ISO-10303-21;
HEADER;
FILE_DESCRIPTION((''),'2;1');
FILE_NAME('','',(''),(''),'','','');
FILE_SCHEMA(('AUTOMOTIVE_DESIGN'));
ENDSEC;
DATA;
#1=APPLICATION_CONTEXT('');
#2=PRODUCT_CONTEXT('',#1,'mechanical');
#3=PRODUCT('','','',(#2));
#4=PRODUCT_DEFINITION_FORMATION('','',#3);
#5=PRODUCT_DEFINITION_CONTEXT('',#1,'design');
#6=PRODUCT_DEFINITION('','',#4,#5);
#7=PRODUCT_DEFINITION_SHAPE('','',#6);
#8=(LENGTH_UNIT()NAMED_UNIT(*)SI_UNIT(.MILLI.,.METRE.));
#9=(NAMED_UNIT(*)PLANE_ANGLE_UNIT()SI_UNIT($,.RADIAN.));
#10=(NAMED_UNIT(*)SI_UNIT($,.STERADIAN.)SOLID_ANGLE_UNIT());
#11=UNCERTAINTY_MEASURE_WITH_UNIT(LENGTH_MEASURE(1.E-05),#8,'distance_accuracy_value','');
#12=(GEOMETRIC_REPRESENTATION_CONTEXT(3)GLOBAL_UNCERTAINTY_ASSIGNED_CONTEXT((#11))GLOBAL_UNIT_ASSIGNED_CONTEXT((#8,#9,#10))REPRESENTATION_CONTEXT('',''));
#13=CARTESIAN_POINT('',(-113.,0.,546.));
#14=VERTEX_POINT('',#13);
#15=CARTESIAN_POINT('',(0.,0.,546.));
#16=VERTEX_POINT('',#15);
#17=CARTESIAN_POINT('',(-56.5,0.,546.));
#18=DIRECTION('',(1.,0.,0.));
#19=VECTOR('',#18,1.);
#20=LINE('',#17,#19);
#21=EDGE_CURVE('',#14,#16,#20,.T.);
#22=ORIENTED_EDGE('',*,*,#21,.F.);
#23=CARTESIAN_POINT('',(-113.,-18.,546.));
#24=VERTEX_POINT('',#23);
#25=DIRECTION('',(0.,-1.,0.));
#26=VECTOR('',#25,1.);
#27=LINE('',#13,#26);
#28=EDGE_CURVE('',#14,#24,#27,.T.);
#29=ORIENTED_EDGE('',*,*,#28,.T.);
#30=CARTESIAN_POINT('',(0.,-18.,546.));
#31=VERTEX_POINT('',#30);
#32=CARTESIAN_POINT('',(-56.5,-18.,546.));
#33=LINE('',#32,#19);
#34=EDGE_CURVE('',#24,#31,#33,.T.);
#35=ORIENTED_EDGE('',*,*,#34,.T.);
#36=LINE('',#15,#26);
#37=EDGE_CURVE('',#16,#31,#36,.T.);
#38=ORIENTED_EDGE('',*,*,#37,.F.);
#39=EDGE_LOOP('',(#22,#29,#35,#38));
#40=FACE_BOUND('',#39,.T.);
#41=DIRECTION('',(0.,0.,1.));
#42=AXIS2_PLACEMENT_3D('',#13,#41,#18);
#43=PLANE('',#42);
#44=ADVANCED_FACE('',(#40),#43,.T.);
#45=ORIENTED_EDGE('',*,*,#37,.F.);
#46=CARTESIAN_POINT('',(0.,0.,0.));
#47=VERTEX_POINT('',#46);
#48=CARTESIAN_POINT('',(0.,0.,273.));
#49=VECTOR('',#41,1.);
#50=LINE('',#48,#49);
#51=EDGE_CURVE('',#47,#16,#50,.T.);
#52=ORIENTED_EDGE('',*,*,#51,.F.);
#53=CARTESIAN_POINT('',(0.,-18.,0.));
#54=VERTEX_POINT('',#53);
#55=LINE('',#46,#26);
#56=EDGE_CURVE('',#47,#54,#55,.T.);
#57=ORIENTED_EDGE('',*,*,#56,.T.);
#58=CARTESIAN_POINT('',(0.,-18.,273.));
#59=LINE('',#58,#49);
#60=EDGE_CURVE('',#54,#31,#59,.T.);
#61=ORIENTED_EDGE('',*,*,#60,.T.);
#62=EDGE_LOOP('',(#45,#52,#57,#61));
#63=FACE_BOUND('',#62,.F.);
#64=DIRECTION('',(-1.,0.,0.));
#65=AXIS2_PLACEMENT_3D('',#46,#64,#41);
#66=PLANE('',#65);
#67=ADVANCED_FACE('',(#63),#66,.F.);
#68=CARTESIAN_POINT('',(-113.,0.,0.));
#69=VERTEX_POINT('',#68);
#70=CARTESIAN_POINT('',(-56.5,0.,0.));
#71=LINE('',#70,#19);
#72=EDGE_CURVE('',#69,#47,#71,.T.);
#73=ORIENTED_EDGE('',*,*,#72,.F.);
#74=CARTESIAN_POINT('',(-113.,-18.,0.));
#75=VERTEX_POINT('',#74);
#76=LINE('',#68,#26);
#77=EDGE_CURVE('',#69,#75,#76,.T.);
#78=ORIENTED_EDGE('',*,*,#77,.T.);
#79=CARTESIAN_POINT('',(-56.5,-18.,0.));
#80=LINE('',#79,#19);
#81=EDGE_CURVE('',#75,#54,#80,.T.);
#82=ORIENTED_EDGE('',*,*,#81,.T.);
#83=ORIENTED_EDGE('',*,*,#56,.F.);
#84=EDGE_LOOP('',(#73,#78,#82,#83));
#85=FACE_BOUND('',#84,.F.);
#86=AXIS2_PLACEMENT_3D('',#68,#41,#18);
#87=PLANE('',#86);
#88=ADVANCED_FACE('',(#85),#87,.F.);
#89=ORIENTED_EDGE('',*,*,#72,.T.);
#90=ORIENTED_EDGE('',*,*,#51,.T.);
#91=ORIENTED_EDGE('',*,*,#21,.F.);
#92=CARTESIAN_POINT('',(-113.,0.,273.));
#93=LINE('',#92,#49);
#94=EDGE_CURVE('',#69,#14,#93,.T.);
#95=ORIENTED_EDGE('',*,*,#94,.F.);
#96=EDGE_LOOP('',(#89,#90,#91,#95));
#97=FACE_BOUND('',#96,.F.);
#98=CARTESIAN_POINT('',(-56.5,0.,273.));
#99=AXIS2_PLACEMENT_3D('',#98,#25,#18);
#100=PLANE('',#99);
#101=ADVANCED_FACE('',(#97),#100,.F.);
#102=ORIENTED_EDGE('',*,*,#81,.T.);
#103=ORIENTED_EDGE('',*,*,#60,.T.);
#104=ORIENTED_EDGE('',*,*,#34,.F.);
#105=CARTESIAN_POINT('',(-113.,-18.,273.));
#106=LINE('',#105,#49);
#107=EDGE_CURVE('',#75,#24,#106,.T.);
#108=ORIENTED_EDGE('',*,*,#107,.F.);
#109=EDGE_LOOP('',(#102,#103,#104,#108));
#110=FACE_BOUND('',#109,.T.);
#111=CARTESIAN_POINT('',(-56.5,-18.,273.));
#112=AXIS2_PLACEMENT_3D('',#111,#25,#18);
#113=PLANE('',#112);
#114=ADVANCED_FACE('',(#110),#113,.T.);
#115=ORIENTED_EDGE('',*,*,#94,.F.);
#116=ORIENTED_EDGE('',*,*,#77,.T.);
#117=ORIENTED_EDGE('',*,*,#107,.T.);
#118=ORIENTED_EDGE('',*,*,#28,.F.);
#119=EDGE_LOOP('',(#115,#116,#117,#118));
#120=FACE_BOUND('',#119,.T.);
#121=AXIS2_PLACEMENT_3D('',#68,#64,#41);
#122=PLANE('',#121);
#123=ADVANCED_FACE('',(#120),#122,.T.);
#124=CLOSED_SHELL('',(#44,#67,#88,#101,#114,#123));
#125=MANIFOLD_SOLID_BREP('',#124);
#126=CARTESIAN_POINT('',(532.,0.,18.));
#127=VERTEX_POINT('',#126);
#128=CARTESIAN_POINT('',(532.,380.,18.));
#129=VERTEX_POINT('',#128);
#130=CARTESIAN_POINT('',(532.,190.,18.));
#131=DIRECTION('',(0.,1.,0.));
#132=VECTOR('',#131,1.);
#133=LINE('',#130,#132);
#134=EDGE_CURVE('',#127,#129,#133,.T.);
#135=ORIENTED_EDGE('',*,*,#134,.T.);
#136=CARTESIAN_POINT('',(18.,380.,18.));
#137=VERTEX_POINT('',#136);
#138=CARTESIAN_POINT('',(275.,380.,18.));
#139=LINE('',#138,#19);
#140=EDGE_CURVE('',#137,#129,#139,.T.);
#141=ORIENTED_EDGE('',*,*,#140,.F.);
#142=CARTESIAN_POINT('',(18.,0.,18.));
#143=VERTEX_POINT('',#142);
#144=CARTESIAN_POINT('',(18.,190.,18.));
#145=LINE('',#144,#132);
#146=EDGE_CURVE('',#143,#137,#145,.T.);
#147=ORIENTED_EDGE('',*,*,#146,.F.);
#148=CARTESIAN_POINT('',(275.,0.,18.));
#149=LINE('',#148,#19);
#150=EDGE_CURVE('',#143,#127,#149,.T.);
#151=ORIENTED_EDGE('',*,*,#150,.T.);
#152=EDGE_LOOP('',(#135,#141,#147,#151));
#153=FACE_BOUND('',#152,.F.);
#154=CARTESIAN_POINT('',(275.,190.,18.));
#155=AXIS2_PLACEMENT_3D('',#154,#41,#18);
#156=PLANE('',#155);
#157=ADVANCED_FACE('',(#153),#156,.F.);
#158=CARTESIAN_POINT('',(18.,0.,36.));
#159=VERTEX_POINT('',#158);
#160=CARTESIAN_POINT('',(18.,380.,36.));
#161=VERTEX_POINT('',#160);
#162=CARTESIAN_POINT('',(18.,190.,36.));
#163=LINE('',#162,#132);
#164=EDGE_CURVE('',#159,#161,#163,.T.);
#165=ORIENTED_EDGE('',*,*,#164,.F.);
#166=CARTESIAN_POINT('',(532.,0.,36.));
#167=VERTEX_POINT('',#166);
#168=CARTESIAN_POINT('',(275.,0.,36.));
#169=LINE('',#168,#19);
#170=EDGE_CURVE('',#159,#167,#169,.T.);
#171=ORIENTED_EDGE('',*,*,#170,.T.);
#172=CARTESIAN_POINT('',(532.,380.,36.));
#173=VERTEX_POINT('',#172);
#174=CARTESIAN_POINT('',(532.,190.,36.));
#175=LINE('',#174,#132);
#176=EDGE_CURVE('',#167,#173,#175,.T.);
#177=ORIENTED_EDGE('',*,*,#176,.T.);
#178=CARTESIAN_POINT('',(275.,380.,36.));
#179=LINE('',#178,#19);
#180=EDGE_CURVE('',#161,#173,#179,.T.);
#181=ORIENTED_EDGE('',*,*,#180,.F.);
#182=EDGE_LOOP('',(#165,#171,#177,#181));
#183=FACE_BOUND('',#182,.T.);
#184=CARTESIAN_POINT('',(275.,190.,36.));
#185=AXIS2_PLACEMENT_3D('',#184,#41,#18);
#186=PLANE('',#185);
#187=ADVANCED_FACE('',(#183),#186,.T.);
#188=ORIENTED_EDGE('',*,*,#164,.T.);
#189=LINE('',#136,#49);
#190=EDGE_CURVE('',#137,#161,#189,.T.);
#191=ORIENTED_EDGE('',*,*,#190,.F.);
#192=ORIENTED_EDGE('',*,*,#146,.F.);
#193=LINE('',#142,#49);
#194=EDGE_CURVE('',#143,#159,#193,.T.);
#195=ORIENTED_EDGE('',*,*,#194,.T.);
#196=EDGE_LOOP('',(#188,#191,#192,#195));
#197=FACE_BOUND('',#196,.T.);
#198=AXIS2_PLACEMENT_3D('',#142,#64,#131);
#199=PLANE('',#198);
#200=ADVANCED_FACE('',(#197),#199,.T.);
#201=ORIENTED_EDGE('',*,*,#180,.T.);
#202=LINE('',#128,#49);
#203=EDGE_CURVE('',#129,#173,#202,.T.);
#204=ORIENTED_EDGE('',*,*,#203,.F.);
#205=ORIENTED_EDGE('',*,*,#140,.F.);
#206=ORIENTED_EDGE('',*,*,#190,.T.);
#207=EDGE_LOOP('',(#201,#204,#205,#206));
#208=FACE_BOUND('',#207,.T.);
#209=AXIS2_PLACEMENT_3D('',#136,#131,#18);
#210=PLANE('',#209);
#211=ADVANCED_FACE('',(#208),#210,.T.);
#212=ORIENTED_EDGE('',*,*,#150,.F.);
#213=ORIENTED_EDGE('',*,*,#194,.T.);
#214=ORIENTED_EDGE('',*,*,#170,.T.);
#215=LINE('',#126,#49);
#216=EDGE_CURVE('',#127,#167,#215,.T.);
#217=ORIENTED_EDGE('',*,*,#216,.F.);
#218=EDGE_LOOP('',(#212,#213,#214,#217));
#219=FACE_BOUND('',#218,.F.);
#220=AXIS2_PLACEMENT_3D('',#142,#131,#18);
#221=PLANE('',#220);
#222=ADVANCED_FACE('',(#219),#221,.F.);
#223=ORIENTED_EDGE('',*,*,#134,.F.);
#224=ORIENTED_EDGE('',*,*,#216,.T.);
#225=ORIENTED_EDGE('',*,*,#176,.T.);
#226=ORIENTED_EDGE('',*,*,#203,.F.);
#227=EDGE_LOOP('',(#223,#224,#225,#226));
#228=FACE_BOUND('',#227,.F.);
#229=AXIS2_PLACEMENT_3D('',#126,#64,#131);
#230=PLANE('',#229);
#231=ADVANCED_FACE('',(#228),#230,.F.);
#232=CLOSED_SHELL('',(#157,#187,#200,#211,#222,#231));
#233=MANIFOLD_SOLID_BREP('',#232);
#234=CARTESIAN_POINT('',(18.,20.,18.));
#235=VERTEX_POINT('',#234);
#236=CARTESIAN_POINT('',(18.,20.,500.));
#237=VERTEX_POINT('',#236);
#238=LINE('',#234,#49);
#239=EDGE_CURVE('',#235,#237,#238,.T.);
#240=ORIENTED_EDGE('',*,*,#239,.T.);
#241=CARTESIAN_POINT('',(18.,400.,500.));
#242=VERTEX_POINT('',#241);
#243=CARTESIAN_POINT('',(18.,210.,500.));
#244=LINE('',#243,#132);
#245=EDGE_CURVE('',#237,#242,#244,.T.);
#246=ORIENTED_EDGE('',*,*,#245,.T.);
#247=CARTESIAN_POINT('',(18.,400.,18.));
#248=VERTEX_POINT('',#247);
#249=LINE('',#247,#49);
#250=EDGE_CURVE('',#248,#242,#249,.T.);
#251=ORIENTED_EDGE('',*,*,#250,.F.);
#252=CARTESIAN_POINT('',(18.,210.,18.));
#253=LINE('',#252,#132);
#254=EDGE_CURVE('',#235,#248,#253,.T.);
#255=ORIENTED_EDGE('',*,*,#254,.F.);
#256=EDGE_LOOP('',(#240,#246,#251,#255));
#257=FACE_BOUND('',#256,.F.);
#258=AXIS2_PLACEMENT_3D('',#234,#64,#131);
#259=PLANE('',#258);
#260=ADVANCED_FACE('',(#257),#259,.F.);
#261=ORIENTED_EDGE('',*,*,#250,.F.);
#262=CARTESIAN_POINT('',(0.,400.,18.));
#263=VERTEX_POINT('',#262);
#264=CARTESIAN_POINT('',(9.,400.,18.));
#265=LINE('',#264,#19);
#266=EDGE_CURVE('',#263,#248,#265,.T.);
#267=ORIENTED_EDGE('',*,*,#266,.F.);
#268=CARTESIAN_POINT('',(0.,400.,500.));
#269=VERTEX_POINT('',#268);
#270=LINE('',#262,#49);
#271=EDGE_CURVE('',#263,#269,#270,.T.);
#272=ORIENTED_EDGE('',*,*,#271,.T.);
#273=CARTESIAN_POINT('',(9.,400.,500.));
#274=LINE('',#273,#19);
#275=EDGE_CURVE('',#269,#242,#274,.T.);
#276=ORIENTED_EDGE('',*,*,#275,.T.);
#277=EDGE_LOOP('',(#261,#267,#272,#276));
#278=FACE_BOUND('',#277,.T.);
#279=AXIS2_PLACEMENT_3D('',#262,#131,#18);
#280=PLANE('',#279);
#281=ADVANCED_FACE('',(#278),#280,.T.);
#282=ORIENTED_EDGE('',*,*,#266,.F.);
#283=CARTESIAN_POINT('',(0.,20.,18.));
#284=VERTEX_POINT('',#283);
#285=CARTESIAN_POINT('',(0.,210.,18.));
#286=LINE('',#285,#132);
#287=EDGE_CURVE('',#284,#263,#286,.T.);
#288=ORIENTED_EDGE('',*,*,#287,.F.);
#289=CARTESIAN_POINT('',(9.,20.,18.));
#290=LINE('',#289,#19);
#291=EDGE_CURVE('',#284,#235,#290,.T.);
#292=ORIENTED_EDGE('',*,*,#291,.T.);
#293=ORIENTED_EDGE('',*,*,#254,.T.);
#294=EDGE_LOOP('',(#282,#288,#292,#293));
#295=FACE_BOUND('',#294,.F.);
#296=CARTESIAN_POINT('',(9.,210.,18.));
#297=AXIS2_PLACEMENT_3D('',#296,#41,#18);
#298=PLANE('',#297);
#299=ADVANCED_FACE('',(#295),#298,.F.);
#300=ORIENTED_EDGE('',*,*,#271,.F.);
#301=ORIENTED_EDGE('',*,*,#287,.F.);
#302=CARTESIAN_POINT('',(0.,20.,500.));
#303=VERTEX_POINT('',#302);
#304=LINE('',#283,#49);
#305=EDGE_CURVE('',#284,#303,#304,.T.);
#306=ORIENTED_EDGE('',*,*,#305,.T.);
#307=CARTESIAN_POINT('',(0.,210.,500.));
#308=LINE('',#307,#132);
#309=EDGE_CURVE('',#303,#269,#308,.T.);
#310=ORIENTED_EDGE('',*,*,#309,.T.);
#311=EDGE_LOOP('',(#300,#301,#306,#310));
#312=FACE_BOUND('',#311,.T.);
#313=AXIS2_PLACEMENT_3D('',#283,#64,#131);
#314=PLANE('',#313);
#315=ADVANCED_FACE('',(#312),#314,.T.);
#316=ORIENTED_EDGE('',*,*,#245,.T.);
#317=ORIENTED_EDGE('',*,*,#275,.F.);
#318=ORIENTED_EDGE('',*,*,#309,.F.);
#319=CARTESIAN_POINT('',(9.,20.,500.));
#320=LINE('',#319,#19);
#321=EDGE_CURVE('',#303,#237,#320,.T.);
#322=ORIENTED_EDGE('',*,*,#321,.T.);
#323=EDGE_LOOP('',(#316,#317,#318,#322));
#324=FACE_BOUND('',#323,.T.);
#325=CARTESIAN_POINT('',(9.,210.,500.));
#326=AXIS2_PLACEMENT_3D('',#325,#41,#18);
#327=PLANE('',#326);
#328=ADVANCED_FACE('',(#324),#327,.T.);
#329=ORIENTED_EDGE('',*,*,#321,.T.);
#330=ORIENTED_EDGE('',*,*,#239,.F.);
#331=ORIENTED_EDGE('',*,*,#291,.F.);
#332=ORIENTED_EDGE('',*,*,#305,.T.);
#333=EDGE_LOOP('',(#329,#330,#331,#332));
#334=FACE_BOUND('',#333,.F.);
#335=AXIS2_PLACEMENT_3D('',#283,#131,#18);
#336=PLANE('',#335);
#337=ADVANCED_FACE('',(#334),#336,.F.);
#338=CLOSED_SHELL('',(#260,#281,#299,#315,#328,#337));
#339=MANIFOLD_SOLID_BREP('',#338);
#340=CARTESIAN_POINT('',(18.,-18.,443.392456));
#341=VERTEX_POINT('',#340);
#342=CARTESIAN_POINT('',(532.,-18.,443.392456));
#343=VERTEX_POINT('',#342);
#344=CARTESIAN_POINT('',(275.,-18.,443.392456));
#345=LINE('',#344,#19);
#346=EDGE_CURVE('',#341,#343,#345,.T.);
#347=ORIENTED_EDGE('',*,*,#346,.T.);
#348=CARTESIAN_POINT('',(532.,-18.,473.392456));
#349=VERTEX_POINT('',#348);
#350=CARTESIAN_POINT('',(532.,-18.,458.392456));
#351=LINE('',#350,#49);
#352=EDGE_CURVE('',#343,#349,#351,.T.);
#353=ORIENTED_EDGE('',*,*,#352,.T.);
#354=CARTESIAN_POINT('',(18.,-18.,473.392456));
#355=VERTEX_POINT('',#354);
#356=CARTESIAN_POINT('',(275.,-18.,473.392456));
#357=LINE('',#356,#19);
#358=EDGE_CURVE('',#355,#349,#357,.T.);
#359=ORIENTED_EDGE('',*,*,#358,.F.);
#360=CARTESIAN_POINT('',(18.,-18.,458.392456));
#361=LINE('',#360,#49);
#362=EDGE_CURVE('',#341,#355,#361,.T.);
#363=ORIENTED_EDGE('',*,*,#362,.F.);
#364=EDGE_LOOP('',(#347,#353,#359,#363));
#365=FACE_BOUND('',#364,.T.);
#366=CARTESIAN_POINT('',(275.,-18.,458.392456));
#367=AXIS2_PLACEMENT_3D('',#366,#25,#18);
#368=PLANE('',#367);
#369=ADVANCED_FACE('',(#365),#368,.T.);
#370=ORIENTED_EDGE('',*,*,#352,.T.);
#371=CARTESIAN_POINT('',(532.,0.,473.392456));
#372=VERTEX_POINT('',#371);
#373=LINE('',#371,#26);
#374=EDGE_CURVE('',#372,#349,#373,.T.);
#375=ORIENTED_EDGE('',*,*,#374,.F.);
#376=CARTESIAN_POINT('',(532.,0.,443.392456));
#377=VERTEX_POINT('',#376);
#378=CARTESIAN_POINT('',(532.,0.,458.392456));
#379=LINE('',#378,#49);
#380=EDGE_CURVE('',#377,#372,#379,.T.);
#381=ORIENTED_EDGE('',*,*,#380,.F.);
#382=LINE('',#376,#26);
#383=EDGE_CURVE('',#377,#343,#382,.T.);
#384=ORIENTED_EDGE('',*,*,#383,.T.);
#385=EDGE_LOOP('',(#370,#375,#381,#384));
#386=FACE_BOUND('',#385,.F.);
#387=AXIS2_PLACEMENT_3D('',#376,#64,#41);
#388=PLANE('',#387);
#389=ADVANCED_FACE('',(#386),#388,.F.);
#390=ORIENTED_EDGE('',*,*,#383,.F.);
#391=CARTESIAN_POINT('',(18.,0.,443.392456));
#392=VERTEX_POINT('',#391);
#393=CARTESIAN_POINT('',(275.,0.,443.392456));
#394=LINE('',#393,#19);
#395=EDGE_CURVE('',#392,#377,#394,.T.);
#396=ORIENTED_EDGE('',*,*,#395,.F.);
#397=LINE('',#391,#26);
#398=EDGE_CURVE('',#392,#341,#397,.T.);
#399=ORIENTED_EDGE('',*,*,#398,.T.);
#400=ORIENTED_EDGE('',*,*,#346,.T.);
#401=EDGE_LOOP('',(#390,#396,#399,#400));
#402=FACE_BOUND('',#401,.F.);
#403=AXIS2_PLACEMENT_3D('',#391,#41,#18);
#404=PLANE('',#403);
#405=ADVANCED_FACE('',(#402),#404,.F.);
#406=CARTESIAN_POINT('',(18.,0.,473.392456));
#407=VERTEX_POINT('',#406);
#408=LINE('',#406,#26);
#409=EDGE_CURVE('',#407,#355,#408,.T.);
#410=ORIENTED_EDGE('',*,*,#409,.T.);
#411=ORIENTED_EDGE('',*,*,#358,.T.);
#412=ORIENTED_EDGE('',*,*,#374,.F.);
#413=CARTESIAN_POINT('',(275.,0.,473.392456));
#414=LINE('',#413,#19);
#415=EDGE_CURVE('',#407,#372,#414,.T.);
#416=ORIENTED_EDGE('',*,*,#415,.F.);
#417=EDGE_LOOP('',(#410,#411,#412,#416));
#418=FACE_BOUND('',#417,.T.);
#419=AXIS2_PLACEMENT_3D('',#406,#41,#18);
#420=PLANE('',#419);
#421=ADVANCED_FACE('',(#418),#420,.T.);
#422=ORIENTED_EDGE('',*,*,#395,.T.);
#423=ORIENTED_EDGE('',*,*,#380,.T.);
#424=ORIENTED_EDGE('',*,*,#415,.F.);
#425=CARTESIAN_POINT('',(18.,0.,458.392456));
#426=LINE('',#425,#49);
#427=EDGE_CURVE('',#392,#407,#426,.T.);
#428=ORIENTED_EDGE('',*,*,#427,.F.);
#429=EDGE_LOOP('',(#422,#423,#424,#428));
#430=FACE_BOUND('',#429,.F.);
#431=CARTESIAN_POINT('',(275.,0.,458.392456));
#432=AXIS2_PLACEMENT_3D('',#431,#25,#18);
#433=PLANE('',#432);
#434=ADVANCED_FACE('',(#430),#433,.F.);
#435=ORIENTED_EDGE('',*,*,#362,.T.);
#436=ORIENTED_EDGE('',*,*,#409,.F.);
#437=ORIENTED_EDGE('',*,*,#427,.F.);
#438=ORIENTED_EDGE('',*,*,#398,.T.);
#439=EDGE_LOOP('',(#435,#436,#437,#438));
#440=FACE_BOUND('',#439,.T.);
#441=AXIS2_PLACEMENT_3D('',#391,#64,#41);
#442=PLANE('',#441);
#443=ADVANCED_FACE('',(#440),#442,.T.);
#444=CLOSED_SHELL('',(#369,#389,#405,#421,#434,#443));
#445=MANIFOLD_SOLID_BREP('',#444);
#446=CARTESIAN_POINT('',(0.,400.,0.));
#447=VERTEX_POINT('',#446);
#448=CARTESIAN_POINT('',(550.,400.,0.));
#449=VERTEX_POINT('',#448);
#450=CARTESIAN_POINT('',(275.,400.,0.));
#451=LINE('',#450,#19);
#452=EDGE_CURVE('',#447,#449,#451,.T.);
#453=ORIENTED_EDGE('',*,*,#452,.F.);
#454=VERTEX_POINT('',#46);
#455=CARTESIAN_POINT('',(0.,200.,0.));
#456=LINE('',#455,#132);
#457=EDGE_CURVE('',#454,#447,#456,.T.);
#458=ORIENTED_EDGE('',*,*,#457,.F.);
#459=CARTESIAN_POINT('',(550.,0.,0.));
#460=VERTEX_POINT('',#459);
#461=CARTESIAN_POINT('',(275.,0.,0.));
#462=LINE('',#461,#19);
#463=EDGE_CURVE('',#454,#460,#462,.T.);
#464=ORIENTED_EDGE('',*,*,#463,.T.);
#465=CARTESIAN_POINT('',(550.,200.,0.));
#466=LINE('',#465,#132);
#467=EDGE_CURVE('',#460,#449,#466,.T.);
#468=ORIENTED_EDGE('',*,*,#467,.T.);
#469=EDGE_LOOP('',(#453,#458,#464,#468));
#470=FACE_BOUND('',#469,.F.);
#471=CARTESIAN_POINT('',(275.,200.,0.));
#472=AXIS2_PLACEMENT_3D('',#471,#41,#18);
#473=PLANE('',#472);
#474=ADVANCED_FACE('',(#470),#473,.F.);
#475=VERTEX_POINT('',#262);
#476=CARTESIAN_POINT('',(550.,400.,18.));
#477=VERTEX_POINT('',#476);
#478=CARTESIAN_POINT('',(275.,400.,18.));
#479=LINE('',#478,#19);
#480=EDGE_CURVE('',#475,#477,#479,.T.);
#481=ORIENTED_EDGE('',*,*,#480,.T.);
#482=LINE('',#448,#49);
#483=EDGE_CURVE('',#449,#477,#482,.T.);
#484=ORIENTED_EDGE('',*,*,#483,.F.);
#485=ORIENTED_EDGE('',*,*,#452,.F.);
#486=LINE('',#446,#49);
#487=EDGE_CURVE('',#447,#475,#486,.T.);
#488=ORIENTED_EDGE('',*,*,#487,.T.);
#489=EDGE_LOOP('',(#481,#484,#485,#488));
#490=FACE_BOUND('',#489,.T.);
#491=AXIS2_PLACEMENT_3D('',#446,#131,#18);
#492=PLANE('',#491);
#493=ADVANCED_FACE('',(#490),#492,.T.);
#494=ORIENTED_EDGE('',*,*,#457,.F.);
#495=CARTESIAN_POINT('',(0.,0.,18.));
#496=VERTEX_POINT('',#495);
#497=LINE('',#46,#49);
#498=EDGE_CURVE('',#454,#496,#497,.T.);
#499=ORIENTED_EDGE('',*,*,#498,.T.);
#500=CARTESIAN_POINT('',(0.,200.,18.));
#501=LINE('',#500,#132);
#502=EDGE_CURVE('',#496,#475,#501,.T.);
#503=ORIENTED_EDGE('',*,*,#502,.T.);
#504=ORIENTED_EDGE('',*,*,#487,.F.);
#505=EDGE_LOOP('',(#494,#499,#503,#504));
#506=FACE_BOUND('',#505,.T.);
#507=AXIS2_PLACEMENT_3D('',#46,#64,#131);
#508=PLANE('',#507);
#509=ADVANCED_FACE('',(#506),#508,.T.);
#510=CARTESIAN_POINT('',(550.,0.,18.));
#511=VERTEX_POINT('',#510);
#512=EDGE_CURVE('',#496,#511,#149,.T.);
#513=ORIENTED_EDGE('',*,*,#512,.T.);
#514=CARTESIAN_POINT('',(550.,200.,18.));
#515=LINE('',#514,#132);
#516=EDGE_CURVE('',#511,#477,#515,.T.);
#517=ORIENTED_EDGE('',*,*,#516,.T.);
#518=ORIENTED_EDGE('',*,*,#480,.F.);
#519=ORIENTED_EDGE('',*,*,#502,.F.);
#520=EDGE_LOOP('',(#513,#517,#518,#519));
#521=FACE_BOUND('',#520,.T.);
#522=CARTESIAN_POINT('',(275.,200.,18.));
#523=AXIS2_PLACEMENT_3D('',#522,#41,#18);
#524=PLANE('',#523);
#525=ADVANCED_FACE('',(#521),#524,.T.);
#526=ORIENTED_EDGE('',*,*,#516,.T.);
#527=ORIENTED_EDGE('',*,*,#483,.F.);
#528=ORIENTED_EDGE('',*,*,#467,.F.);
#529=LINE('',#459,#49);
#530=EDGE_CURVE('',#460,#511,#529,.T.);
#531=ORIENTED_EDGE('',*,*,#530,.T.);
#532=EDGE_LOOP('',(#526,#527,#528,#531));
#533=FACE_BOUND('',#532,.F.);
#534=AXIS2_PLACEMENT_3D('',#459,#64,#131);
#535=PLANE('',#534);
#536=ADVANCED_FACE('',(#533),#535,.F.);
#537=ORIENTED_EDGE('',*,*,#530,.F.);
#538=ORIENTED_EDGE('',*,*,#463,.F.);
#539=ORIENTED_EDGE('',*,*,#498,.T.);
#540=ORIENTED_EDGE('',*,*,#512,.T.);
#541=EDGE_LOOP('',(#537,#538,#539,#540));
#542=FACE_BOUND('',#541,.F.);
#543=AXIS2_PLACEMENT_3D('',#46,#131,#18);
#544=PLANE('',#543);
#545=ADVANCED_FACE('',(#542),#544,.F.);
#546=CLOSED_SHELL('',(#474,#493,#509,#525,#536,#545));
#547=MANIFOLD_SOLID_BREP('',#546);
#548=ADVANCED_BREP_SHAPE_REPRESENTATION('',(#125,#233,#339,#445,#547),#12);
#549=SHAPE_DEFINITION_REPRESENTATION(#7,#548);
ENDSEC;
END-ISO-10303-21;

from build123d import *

# Parameters (mm, degrees)
F0_W     = 550
F0_H     = 400
F1_DEPTH = 18
F2_W     = 18
F2_H     = 380
F3_DEPTH = 482
F4_W     = 514
F4_H     = 30
F5_DEPTH = 18
F6_W     = 514
F6_H     = 380
F7_DEPTH = 18
F8_W     = 113
F8_H     = 546
F9_DEPTH = 18


with BuildPart() as f1:
    # F0 (on Top) → F1 (new body)
    with BuildSketch(Plane.XY):
        with Locations((275, 200)):
            Rectangle(F0_W, F0_H)
    extrude(amount=F1_DEPTH)


with BuildPart() as f3:
    # F2 (on face) → F3 (new body)
    with BuildSketch(Plane.XY.offset(18)):
        with Locations((9, 210)):
            Rectangle(F2_W, F2_H)
    extrude(amount=F3_DEPTH)


with BuildPart() as f5:
    # F4 (on Front) → F5 (new body)
    with BuildSketch(Plane.XZ):
        with Locations((275, 458.392456)):
            Rectangle(F4_W, F4_H)
    extrude(amount=F5_DEPTH)


with BuildPart() as f7:
    # F6 (on face) → F7 (new body)
    with BuildSketch(Plane.XY.offset(18)):
        with Locations((275, 190)):
            Rectangle(F6_W, F6_H)
    extrude(amount=F7_DEPTH)


with BuildPart() as f9:
    # F8 (on Front) → F9 (new body)
    with BuildSketch(Plane.XZ):
        with Locations((-56.5, 273)):
            Rectangle(F8_W, F8_H)
    extrude(amount=F9_DEPTH)


solid = Compound([f1.part, f3.part, f5.part, f7.part, f9.part])
